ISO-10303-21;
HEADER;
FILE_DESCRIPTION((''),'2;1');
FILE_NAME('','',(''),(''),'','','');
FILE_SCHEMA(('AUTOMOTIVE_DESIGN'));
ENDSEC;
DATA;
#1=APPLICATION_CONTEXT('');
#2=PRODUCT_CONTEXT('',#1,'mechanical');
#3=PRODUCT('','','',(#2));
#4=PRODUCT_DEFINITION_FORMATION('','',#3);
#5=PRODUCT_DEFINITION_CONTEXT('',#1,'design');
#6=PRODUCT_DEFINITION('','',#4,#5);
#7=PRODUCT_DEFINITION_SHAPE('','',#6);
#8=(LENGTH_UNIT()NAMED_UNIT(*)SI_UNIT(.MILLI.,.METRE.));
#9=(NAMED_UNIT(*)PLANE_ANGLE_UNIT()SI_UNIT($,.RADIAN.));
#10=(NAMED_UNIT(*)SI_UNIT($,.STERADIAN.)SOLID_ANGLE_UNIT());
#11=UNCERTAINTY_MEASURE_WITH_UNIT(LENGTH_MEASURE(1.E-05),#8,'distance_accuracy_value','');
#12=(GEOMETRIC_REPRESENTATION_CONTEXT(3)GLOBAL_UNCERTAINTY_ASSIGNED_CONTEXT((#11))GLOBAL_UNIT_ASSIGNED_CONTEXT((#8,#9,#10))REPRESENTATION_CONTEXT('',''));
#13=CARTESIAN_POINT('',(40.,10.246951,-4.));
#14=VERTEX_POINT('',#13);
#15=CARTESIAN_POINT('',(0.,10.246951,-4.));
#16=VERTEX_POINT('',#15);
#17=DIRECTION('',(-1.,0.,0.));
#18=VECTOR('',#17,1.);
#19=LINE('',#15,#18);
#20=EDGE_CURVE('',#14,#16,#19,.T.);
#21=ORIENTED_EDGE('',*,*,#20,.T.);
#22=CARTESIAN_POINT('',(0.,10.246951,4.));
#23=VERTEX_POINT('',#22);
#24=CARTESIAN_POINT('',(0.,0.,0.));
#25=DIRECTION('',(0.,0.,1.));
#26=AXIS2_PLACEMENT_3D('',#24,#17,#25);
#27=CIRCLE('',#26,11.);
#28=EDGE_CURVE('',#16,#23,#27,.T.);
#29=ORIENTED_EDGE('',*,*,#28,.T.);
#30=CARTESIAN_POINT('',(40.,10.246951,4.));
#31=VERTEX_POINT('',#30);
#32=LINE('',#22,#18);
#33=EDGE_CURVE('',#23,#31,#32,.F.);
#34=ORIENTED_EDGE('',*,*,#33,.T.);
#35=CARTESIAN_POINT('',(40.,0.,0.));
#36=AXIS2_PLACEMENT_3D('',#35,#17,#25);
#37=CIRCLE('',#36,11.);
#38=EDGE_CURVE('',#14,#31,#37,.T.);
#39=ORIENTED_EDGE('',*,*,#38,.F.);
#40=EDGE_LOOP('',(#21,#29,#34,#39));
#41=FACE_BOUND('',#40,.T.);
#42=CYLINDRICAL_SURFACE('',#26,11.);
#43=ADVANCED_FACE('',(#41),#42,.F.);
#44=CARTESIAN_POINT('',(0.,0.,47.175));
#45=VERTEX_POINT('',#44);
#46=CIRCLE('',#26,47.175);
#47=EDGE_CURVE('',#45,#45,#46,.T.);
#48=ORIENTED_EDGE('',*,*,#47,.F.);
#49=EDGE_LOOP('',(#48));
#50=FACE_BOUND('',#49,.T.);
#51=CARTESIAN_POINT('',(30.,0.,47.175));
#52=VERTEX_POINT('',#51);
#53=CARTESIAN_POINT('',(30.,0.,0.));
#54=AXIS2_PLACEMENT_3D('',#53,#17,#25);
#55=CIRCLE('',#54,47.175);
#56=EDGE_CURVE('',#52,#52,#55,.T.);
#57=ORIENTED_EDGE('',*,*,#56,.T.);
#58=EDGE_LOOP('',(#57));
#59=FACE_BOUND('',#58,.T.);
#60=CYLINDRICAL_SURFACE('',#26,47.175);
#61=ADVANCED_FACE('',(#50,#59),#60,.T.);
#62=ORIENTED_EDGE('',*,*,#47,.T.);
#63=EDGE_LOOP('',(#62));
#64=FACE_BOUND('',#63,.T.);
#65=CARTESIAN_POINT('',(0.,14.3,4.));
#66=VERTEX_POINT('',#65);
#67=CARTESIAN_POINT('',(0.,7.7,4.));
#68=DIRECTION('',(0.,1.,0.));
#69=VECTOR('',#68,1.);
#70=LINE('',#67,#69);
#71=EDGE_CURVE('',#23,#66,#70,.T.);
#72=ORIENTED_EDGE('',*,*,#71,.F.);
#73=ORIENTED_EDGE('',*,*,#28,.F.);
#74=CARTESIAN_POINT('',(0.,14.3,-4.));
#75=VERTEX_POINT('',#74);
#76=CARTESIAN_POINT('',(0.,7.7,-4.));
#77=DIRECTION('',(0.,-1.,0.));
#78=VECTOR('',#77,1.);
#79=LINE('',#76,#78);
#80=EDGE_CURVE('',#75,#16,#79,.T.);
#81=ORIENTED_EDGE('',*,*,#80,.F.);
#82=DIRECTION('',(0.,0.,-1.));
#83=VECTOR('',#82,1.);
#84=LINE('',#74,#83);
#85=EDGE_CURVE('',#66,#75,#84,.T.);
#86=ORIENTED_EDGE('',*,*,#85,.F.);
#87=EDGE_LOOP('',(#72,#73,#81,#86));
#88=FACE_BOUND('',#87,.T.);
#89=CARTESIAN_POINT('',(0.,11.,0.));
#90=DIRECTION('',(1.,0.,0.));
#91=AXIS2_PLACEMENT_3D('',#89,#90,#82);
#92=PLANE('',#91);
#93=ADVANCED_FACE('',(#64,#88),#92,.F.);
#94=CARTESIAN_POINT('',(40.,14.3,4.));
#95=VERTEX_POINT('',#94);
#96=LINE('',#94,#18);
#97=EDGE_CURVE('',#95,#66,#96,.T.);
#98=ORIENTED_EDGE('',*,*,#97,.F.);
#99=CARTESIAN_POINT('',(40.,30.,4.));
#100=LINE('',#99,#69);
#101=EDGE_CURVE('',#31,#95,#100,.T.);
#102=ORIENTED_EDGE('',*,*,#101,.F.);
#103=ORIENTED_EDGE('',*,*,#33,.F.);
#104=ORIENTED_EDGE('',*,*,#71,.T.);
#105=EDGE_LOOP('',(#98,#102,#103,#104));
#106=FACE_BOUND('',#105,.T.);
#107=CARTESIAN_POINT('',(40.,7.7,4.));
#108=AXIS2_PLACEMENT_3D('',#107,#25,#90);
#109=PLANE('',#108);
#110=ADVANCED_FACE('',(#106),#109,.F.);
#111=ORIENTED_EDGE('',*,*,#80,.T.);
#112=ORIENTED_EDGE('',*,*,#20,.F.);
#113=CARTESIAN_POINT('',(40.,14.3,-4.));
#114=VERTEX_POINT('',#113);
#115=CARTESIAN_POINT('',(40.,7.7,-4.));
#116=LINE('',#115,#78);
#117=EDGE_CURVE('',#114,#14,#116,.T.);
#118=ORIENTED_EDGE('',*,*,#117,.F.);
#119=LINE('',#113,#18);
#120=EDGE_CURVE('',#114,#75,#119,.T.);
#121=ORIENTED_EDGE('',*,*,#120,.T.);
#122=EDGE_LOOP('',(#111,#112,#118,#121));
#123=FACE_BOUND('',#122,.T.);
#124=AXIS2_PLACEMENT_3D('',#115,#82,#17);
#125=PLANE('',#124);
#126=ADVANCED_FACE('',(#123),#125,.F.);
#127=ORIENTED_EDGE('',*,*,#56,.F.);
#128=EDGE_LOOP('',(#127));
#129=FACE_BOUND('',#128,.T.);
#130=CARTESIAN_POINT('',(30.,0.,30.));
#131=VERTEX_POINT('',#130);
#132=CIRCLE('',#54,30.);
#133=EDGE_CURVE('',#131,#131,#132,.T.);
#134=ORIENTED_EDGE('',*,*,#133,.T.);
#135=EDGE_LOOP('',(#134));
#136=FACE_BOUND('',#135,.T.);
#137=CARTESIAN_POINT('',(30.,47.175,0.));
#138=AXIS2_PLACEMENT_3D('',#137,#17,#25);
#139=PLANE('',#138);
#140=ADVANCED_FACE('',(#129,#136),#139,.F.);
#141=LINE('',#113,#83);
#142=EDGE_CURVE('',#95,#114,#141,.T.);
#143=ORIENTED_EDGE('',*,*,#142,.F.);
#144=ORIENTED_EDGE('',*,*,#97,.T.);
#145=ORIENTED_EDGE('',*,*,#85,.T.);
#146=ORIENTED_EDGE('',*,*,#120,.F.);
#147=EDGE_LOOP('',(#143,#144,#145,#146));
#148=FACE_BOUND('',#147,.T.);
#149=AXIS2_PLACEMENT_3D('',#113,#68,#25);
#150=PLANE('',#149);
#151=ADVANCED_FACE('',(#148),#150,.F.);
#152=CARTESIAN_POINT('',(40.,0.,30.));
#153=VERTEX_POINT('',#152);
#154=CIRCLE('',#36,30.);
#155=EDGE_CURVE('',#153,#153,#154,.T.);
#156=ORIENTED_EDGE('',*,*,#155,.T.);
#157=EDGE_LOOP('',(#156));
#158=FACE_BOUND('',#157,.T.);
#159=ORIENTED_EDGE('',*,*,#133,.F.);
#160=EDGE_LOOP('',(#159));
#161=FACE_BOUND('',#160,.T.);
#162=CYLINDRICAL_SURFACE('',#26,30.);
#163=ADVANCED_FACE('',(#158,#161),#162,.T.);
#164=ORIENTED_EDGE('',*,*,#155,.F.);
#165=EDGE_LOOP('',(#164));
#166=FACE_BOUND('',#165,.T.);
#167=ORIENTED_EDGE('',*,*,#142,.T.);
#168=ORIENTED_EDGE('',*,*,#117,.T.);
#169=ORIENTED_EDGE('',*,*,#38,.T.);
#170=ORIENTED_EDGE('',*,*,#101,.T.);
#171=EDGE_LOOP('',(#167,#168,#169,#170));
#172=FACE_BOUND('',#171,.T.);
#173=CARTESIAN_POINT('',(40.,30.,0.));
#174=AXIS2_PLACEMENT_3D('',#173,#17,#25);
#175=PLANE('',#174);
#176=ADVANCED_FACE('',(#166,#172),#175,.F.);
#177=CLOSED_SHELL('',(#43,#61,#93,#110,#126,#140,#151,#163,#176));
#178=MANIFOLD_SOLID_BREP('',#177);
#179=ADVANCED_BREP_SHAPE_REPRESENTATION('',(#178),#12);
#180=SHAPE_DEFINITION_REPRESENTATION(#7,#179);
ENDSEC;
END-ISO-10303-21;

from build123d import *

# Parameters (mm, degrees)
SKETCH2_W          = 8
SKETCH2_H          = 6.6
CUT_EXTRUDE1_DEPTH = 78.787924834


with BuildPart() as part:
    # Sketch1 → Revolve1 (revolve)
    with BuildSketch(Plane.XY, mode=Mode.PRIVATE) as revolve1_sk:
        Polygon((0, 11), (0, 47.175), (30, 47.175), (30, 30), (40, 30), (40, 11), align=None)
    revolve(revolve1_sk.sketch.rotate(Axis((0, 0, 0), (1, 0, 0)), 90), axis=Axis((0, 0, 0), (1, 0, 0)))

    # Sketch2 → Cut-Extrude1 (cut, through all)
    with BuildSketch(Plane.ZY):
        with Locations((0, 11)):
            Rectangle(SKETCH2_W, SKETCH2_H)
    extrude(amount=-CUT_EXTRUDE1_DEPTH, mode=Mode.SUBTRACT)


solid = part.part
